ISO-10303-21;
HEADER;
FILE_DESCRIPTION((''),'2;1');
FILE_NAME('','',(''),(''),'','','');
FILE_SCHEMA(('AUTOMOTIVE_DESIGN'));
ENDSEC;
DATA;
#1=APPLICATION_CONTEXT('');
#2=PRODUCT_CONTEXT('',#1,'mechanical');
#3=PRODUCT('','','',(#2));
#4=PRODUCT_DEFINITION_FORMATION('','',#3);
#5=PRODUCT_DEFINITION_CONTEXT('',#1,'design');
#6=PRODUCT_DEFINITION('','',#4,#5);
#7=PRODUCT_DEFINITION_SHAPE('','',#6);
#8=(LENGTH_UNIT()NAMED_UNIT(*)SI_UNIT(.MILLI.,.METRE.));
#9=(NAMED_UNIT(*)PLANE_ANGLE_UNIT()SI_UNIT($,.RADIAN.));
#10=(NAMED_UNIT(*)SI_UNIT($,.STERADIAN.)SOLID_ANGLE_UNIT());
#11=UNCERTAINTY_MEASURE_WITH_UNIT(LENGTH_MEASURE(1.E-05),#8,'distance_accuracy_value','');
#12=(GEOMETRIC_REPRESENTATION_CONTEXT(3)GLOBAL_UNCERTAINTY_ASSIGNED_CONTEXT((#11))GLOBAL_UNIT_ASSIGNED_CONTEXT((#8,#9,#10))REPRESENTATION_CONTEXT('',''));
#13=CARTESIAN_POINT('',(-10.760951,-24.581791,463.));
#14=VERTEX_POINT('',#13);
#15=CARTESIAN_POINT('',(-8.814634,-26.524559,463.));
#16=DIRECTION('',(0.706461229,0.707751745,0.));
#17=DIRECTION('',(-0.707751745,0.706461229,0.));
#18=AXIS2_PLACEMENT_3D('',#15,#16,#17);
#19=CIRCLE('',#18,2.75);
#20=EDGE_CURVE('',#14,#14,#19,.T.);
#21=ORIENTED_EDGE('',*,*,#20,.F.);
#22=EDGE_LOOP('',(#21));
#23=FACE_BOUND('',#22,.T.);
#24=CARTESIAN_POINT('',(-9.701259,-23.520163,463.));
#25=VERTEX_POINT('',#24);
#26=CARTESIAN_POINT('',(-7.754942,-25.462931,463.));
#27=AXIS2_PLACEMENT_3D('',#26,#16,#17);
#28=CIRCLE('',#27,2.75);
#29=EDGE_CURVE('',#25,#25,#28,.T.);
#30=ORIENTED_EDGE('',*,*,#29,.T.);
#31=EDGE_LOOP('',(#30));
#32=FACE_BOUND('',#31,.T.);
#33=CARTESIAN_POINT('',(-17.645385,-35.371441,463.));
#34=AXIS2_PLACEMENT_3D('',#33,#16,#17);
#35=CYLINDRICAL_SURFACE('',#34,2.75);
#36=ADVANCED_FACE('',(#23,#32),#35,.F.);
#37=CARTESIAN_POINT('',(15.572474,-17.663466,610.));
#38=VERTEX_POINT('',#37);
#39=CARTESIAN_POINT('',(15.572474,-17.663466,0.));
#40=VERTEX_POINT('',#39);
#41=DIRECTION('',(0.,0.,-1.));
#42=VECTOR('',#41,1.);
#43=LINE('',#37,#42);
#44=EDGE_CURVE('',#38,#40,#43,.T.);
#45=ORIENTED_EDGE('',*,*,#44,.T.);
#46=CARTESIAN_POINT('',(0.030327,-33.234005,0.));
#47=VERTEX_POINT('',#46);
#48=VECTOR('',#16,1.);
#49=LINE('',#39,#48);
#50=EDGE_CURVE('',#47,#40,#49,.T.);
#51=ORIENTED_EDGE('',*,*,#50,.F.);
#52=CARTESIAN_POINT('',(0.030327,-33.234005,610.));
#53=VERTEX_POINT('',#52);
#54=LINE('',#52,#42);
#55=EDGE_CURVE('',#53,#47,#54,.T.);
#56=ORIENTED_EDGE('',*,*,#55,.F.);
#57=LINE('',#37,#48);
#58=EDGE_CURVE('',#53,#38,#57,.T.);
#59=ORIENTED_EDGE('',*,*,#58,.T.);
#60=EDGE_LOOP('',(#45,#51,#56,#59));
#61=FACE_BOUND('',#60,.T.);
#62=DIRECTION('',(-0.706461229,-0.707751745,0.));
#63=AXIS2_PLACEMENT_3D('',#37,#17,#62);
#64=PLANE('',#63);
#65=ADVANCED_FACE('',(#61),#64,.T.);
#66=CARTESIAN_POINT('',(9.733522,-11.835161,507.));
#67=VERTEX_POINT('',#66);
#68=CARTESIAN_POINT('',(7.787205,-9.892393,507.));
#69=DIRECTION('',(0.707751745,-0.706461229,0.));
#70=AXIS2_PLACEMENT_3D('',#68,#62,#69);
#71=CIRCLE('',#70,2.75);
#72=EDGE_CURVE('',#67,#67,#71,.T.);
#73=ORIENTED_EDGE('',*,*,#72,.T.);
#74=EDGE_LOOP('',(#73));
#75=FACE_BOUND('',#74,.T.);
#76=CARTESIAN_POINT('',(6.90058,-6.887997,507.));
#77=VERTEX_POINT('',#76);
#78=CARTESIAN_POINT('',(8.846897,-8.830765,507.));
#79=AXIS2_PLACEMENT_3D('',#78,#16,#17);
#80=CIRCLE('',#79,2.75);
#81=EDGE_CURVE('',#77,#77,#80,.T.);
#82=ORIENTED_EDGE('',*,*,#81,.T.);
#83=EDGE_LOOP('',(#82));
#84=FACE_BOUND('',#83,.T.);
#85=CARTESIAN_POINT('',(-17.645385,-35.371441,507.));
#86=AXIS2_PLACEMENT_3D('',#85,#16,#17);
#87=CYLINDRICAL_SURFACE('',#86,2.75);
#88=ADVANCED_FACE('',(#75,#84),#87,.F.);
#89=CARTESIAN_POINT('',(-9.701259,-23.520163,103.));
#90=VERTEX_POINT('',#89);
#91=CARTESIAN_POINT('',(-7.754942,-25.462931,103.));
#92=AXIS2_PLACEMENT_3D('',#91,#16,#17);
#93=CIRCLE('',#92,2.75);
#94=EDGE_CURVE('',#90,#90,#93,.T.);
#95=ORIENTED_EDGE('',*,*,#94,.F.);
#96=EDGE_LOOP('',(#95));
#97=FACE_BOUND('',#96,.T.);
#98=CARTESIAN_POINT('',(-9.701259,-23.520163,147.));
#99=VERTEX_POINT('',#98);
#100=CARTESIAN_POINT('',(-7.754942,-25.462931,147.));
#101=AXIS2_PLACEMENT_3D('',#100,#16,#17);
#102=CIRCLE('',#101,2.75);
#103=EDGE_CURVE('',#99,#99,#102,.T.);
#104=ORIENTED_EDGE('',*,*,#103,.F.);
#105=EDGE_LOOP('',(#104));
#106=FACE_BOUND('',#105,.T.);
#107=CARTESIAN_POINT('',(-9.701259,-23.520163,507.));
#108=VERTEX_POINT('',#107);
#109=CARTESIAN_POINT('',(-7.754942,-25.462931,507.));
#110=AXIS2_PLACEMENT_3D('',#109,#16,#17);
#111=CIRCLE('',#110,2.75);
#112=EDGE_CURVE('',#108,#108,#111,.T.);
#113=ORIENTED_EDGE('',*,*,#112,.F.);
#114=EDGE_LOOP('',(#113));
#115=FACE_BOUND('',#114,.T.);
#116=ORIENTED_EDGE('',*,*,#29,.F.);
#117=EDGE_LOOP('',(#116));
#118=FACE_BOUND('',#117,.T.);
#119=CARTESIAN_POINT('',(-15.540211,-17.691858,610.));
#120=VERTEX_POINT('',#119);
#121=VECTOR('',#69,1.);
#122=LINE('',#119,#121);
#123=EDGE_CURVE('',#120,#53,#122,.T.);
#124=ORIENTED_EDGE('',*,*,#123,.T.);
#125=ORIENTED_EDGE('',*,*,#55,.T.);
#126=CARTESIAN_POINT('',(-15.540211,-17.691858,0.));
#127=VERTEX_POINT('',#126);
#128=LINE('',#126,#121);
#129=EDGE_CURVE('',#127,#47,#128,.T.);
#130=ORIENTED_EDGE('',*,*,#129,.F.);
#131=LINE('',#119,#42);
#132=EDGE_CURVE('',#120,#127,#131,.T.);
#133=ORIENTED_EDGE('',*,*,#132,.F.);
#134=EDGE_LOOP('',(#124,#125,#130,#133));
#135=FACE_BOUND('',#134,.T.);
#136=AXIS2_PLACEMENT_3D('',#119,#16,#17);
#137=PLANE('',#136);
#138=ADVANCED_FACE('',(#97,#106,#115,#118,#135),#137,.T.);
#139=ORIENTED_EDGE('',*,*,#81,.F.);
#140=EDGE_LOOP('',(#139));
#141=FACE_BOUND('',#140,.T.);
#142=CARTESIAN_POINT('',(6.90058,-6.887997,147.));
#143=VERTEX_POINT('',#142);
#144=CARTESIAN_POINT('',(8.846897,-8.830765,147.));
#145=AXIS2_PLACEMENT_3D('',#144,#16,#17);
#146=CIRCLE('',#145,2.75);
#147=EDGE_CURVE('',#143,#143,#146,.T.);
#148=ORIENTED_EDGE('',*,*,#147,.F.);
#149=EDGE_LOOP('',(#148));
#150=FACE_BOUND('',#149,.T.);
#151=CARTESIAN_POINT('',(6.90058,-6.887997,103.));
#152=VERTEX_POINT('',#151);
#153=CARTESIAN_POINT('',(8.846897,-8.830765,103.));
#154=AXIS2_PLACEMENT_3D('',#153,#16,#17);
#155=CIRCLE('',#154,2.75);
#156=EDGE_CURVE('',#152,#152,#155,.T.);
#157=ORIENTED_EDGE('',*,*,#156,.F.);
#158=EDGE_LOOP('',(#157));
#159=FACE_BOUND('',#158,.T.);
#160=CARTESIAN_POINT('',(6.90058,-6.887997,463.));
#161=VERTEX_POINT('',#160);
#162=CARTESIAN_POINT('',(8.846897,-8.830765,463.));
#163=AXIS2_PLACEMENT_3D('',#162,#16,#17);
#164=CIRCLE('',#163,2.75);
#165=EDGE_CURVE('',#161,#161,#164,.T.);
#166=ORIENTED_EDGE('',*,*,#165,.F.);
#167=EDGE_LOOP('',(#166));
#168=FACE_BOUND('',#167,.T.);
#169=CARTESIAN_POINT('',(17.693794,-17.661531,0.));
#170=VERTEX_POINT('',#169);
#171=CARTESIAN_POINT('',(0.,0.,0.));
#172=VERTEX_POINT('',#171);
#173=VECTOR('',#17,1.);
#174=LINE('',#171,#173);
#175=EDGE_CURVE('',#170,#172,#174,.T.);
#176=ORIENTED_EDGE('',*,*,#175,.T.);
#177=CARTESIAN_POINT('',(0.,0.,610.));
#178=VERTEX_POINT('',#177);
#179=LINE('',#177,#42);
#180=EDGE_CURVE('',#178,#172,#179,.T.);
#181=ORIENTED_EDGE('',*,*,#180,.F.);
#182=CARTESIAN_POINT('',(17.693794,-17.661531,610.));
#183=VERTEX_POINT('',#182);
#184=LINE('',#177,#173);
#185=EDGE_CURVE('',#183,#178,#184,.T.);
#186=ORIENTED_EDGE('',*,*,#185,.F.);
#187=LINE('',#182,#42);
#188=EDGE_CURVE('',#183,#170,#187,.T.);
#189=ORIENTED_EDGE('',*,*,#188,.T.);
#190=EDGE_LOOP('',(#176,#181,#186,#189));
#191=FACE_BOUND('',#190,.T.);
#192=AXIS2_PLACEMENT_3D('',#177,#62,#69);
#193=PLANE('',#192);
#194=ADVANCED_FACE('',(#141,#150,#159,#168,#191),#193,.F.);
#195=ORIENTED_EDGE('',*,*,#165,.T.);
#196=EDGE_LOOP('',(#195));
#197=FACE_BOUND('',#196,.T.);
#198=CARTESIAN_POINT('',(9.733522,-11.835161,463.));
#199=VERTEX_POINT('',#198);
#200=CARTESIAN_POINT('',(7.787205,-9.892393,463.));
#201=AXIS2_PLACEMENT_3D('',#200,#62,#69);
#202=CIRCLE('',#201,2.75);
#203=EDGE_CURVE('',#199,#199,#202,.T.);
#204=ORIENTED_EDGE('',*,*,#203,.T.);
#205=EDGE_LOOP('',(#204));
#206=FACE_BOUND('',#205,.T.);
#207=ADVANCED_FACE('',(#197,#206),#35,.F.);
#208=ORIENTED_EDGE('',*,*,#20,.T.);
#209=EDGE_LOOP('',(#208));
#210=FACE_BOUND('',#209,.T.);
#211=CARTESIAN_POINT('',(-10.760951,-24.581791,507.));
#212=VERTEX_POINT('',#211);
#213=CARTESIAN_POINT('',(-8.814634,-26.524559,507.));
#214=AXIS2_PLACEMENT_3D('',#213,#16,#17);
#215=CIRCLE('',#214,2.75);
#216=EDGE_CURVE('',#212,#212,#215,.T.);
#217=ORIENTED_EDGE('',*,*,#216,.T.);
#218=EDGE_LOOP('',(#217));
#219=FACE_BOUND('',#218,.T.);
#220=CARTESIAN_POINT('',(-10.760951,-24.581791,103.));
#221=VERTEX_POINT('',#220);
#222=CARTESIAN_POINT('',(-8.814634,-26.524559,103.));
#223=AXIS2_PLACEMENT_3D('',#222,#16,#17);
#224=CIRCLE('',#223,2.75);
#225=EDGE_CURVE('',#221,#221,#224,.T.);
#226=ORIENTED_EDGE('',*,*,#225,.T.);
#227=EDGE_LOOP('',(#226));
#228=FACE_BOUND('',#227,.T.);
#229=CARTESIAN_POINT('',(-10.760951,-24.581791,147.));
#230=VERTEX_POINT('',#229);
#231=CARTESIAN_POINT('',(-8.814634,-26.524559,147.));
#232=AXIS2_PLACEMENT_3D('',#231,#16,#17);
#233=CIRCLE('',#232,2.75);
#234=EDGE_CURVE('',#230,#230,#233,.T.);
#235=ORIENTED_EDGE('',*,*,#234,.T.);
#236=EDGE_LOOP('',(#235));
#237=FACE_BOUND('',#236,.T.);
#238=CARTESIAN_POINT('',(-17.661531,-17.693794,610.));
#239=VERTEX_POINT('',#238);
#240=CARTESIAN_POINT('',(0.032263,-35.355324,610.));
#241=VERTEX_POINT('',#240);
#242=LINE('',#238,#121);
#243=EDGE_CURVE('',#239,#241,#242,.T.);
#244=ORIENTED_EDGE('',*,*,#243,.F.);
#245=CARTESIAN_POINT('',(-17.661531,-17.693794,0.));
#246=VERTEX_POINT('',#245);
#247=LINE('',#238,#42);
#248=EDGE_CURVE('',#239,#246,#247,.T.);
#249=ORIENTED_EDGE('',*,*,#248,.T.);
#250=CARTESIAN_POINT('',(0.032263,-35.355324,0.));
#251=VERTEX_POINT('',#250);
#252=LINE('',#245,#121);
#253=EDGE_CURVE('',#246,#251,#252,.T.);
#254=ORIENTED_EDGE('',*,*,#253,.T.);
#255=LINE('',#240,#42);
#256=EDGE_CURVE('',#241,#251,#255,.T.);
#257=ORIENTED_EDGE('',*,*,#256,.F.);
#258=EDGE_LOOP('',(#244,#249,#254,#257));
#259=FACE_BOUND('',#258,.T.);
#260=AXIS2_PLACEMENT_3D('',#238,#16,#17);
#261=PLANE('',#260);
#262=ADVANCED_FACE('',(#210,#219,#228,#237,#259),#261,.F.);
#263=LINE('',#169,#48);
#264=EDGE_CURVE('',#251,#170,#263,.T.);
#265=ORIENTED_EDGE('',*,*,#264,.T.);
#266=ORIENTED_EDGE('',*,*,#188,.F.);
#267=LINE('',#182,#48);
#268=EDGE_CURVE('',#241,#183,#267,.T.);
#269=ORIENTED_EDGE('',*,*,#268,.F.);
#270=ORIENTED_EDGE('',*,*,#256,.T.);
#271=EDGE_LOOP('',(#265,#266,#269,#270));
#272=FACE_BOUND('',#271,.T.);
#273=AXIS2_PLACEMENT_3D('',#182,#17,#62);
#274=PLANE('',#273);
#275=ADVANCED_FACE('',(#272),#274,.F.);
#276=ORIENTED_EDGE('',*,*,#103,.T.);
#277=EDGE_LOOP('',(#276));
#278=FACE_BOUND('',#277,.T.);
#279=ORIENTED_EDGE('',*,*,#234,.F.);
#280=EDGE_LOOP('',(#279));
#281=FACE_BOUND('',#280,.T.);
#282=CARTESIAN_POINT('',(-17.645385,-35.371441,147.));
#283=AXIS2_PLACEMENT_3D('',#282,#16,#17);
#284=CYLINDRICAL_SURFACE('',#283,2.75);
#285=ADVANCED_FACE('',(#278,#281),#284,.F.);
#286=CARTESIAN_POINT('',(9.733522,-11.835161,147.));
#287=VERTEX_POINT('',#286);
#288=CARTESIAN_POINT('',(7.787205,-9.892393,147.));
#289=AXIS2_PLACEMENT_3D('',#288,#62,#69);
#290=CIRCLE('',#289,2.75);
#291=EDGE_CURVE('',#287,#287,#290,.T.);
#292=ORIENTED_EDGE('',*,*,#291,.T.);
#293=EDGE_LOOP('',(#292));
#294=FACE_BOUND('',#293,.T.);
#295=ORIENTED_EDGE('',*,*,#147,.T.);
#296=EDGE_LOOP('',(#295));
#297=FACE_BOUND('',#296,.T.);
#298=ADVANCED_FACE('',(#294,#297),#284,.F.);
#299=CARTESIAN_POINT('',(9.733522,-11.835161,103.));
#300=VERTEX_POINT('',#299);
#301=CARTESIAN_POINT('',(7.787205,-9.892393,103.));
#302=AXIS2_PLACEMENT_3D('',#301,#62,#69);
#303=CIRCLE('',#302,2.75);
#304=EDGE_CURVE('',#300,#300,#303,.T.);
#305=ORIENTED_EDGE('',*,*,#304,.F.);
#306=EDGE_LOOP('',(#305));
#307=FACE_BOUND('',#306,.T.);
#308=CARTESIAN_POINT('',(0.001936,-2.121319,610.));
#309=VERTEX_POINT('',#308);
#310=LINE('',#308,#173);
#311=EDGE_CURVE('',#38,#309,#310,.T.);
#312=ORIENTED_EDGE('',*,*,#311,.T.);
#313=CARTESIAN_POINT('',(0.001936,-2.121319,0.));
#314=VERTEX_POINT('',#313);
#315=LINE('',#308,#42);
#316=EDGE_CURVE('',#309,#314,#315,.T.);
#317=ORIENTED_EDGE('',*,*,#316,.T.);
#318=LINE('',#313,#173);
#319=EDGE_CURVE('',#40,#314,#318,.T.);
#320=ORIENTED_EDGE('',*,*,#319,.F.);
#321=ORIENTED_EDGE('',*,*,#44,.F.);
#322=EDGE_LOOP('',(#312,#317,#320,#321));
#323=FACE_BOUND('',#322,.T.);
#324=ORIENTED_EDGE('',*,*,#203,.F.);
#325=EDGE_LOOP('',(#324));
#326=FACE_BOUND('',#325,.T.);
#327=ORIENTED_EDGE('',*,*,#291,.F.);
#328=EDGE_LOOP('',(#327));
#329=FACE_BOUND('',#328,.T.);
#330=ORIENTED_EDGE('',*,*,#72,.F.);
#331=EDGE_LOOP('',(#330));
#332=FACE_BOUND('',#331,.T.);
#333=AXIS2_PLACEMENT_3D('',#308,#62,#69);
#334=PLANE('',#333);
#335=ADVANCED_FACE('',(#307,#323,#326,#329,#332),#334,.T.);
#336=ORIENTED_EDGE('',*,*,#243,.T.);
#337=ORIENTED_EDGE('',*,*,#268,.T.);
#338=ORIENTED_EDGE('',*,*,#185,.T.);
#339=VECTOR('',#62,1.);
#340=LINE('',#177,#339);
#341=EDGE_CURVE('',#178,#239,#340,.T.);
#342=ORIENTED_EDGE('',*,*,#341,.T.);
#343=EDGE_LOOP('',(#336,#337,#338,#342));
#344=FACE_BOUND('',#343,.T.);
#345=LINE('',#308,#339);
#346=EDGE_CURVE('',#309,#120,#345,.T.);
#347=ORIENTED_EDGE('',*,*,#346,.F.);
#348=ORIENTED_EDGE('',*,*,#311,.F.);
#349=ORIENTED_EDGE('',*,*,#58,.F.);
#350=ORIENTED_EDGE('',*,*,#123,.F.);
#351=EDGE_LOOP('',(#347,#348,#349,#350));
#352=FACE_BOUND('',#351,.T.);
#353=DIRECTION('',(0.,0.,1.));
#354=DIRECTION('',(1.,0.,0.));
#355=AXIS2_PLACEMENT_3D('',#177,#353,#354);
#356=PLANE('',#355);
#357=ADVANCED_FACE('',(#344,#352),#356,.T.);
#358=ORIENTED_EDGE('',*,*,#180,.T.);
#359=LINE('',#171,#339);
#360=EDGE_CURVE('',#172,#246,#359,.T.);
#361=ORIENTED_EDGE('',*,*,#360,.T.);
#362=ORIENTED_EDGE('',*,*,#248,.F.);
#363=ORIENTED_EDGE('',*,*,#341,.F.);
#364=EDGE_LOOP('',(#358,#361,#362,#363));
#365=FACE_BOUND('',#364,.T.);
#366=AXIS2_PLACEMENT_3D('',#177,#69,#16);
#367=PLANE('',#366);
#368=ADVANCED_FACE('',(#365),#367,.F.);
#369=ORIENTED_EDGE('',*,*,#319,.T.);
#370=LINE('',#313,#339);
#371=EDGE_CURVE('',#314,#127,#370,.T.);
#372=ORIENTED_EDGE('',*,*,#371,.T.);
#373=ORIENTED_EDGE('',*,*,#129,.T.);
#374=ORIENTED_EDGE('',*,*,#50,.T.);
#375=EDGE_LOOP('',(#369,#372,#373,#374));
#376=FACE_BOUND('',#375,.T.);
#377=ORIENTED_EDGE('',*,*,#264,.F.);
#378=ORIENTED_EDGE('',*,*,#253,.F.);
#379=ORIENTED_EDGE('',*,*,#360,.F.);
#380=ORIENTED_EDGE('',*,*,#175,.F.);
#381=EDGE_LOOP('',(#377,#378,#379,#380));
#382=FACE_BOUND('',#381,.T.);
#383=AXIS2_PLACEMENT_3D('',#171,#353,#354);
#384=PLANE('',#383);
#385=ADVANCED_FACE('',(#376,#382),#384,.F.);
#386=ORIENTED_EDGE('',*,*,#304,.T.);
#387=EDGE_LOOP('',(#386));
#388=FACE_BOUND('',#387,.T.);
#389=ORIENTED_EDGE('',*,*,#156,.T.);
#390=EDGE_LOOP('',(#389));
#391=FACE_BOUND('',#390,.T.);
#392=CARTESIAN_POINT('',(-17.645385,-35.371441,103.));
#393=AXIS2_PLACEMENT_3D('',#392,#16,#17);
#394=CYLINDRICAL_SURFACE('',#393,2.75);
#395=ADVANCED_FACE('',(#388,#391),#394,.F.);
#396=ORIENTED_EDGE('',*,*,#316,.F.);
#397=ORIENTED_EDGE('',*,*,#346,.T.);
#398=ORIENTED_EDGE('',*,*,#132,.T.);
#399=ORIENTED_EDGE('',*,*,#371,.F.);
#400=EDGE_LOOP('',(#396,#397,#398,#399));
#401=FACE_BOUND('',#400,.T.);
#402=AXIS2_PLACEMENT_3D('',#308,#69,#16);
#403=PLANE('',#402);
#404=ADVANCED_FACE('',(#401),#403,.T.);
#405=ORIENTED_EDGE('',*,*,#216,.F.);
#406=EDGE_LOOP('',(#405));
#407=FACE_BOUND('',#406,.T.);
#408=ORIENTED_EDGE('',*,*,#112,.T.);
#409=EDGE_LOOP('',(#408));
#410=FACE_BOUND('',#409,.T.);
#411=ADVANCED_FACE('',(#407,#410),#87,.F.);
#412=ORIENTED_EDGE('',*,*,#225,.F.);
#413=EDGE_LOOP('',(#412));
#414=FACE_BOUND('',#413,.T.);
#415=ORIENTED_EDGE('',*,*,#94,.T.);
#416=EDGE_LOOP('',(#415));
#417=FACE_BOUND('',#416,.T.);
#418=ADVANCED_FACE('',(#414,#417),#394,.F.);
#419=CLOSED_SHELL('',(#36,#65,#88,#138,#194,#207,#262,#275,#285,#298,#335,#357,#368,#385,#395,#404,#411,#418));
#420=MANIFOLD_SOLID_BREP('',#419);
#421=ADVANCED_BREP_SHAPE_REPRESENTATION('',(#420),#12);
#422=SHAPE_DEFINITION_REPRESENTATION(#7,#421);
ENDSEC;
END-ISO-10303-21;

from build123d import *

# Parameters (mm, degrees)
EXTRUDE_1_DEPTH     = 610
SKETCH_2_R          = 2.75
CUT_EXTRUDE_1_DEPTH = 38.499979182


with BuildPart() as part:
    # 草圖1 → 填料-伸長1 (new body)
    with BuildSketch(Plane.XY):
        Polygon((0, 0), (17.69379362, -17.661530719), (0.032262901, -35.355324339), (-17.661530719, -17.69379362), align=None)
        Polygon((0.001935774, -2.12131946), (-15.540211259, -17.691857846), (0.030327127, -33.234004879), (15.57247416, -17.663466493), align=None, mode=Mode.SUBTRACT)
    extrude(amount=EXTRUDE_1_DEPTH)

    # 草圖2 → 除料-伸長1 (cut, through all)
    with BuildSketch(Plane(origin=(0, 0, 0), x_dir=(0.707751745, -0.706461229, 0), z_dir=(0.706461229, 0.707751745, 0))):
        with Locations((12.5, -463)):
            Circle(SKETCH_2_R)
        with Locations((12.5, -507)):
            Circle(SKETCH_2_R)
        with Locations((12.5, -103)):
            Circle(SKETCH_2_R)
        with Locations((12.5, -147)):
            Circle(SKETCH_2_R)
    extrude(amount=-CUT_EXTRUDE_1_DEPTH, mode=Mode.SUBTRACT)


solid = part.part
